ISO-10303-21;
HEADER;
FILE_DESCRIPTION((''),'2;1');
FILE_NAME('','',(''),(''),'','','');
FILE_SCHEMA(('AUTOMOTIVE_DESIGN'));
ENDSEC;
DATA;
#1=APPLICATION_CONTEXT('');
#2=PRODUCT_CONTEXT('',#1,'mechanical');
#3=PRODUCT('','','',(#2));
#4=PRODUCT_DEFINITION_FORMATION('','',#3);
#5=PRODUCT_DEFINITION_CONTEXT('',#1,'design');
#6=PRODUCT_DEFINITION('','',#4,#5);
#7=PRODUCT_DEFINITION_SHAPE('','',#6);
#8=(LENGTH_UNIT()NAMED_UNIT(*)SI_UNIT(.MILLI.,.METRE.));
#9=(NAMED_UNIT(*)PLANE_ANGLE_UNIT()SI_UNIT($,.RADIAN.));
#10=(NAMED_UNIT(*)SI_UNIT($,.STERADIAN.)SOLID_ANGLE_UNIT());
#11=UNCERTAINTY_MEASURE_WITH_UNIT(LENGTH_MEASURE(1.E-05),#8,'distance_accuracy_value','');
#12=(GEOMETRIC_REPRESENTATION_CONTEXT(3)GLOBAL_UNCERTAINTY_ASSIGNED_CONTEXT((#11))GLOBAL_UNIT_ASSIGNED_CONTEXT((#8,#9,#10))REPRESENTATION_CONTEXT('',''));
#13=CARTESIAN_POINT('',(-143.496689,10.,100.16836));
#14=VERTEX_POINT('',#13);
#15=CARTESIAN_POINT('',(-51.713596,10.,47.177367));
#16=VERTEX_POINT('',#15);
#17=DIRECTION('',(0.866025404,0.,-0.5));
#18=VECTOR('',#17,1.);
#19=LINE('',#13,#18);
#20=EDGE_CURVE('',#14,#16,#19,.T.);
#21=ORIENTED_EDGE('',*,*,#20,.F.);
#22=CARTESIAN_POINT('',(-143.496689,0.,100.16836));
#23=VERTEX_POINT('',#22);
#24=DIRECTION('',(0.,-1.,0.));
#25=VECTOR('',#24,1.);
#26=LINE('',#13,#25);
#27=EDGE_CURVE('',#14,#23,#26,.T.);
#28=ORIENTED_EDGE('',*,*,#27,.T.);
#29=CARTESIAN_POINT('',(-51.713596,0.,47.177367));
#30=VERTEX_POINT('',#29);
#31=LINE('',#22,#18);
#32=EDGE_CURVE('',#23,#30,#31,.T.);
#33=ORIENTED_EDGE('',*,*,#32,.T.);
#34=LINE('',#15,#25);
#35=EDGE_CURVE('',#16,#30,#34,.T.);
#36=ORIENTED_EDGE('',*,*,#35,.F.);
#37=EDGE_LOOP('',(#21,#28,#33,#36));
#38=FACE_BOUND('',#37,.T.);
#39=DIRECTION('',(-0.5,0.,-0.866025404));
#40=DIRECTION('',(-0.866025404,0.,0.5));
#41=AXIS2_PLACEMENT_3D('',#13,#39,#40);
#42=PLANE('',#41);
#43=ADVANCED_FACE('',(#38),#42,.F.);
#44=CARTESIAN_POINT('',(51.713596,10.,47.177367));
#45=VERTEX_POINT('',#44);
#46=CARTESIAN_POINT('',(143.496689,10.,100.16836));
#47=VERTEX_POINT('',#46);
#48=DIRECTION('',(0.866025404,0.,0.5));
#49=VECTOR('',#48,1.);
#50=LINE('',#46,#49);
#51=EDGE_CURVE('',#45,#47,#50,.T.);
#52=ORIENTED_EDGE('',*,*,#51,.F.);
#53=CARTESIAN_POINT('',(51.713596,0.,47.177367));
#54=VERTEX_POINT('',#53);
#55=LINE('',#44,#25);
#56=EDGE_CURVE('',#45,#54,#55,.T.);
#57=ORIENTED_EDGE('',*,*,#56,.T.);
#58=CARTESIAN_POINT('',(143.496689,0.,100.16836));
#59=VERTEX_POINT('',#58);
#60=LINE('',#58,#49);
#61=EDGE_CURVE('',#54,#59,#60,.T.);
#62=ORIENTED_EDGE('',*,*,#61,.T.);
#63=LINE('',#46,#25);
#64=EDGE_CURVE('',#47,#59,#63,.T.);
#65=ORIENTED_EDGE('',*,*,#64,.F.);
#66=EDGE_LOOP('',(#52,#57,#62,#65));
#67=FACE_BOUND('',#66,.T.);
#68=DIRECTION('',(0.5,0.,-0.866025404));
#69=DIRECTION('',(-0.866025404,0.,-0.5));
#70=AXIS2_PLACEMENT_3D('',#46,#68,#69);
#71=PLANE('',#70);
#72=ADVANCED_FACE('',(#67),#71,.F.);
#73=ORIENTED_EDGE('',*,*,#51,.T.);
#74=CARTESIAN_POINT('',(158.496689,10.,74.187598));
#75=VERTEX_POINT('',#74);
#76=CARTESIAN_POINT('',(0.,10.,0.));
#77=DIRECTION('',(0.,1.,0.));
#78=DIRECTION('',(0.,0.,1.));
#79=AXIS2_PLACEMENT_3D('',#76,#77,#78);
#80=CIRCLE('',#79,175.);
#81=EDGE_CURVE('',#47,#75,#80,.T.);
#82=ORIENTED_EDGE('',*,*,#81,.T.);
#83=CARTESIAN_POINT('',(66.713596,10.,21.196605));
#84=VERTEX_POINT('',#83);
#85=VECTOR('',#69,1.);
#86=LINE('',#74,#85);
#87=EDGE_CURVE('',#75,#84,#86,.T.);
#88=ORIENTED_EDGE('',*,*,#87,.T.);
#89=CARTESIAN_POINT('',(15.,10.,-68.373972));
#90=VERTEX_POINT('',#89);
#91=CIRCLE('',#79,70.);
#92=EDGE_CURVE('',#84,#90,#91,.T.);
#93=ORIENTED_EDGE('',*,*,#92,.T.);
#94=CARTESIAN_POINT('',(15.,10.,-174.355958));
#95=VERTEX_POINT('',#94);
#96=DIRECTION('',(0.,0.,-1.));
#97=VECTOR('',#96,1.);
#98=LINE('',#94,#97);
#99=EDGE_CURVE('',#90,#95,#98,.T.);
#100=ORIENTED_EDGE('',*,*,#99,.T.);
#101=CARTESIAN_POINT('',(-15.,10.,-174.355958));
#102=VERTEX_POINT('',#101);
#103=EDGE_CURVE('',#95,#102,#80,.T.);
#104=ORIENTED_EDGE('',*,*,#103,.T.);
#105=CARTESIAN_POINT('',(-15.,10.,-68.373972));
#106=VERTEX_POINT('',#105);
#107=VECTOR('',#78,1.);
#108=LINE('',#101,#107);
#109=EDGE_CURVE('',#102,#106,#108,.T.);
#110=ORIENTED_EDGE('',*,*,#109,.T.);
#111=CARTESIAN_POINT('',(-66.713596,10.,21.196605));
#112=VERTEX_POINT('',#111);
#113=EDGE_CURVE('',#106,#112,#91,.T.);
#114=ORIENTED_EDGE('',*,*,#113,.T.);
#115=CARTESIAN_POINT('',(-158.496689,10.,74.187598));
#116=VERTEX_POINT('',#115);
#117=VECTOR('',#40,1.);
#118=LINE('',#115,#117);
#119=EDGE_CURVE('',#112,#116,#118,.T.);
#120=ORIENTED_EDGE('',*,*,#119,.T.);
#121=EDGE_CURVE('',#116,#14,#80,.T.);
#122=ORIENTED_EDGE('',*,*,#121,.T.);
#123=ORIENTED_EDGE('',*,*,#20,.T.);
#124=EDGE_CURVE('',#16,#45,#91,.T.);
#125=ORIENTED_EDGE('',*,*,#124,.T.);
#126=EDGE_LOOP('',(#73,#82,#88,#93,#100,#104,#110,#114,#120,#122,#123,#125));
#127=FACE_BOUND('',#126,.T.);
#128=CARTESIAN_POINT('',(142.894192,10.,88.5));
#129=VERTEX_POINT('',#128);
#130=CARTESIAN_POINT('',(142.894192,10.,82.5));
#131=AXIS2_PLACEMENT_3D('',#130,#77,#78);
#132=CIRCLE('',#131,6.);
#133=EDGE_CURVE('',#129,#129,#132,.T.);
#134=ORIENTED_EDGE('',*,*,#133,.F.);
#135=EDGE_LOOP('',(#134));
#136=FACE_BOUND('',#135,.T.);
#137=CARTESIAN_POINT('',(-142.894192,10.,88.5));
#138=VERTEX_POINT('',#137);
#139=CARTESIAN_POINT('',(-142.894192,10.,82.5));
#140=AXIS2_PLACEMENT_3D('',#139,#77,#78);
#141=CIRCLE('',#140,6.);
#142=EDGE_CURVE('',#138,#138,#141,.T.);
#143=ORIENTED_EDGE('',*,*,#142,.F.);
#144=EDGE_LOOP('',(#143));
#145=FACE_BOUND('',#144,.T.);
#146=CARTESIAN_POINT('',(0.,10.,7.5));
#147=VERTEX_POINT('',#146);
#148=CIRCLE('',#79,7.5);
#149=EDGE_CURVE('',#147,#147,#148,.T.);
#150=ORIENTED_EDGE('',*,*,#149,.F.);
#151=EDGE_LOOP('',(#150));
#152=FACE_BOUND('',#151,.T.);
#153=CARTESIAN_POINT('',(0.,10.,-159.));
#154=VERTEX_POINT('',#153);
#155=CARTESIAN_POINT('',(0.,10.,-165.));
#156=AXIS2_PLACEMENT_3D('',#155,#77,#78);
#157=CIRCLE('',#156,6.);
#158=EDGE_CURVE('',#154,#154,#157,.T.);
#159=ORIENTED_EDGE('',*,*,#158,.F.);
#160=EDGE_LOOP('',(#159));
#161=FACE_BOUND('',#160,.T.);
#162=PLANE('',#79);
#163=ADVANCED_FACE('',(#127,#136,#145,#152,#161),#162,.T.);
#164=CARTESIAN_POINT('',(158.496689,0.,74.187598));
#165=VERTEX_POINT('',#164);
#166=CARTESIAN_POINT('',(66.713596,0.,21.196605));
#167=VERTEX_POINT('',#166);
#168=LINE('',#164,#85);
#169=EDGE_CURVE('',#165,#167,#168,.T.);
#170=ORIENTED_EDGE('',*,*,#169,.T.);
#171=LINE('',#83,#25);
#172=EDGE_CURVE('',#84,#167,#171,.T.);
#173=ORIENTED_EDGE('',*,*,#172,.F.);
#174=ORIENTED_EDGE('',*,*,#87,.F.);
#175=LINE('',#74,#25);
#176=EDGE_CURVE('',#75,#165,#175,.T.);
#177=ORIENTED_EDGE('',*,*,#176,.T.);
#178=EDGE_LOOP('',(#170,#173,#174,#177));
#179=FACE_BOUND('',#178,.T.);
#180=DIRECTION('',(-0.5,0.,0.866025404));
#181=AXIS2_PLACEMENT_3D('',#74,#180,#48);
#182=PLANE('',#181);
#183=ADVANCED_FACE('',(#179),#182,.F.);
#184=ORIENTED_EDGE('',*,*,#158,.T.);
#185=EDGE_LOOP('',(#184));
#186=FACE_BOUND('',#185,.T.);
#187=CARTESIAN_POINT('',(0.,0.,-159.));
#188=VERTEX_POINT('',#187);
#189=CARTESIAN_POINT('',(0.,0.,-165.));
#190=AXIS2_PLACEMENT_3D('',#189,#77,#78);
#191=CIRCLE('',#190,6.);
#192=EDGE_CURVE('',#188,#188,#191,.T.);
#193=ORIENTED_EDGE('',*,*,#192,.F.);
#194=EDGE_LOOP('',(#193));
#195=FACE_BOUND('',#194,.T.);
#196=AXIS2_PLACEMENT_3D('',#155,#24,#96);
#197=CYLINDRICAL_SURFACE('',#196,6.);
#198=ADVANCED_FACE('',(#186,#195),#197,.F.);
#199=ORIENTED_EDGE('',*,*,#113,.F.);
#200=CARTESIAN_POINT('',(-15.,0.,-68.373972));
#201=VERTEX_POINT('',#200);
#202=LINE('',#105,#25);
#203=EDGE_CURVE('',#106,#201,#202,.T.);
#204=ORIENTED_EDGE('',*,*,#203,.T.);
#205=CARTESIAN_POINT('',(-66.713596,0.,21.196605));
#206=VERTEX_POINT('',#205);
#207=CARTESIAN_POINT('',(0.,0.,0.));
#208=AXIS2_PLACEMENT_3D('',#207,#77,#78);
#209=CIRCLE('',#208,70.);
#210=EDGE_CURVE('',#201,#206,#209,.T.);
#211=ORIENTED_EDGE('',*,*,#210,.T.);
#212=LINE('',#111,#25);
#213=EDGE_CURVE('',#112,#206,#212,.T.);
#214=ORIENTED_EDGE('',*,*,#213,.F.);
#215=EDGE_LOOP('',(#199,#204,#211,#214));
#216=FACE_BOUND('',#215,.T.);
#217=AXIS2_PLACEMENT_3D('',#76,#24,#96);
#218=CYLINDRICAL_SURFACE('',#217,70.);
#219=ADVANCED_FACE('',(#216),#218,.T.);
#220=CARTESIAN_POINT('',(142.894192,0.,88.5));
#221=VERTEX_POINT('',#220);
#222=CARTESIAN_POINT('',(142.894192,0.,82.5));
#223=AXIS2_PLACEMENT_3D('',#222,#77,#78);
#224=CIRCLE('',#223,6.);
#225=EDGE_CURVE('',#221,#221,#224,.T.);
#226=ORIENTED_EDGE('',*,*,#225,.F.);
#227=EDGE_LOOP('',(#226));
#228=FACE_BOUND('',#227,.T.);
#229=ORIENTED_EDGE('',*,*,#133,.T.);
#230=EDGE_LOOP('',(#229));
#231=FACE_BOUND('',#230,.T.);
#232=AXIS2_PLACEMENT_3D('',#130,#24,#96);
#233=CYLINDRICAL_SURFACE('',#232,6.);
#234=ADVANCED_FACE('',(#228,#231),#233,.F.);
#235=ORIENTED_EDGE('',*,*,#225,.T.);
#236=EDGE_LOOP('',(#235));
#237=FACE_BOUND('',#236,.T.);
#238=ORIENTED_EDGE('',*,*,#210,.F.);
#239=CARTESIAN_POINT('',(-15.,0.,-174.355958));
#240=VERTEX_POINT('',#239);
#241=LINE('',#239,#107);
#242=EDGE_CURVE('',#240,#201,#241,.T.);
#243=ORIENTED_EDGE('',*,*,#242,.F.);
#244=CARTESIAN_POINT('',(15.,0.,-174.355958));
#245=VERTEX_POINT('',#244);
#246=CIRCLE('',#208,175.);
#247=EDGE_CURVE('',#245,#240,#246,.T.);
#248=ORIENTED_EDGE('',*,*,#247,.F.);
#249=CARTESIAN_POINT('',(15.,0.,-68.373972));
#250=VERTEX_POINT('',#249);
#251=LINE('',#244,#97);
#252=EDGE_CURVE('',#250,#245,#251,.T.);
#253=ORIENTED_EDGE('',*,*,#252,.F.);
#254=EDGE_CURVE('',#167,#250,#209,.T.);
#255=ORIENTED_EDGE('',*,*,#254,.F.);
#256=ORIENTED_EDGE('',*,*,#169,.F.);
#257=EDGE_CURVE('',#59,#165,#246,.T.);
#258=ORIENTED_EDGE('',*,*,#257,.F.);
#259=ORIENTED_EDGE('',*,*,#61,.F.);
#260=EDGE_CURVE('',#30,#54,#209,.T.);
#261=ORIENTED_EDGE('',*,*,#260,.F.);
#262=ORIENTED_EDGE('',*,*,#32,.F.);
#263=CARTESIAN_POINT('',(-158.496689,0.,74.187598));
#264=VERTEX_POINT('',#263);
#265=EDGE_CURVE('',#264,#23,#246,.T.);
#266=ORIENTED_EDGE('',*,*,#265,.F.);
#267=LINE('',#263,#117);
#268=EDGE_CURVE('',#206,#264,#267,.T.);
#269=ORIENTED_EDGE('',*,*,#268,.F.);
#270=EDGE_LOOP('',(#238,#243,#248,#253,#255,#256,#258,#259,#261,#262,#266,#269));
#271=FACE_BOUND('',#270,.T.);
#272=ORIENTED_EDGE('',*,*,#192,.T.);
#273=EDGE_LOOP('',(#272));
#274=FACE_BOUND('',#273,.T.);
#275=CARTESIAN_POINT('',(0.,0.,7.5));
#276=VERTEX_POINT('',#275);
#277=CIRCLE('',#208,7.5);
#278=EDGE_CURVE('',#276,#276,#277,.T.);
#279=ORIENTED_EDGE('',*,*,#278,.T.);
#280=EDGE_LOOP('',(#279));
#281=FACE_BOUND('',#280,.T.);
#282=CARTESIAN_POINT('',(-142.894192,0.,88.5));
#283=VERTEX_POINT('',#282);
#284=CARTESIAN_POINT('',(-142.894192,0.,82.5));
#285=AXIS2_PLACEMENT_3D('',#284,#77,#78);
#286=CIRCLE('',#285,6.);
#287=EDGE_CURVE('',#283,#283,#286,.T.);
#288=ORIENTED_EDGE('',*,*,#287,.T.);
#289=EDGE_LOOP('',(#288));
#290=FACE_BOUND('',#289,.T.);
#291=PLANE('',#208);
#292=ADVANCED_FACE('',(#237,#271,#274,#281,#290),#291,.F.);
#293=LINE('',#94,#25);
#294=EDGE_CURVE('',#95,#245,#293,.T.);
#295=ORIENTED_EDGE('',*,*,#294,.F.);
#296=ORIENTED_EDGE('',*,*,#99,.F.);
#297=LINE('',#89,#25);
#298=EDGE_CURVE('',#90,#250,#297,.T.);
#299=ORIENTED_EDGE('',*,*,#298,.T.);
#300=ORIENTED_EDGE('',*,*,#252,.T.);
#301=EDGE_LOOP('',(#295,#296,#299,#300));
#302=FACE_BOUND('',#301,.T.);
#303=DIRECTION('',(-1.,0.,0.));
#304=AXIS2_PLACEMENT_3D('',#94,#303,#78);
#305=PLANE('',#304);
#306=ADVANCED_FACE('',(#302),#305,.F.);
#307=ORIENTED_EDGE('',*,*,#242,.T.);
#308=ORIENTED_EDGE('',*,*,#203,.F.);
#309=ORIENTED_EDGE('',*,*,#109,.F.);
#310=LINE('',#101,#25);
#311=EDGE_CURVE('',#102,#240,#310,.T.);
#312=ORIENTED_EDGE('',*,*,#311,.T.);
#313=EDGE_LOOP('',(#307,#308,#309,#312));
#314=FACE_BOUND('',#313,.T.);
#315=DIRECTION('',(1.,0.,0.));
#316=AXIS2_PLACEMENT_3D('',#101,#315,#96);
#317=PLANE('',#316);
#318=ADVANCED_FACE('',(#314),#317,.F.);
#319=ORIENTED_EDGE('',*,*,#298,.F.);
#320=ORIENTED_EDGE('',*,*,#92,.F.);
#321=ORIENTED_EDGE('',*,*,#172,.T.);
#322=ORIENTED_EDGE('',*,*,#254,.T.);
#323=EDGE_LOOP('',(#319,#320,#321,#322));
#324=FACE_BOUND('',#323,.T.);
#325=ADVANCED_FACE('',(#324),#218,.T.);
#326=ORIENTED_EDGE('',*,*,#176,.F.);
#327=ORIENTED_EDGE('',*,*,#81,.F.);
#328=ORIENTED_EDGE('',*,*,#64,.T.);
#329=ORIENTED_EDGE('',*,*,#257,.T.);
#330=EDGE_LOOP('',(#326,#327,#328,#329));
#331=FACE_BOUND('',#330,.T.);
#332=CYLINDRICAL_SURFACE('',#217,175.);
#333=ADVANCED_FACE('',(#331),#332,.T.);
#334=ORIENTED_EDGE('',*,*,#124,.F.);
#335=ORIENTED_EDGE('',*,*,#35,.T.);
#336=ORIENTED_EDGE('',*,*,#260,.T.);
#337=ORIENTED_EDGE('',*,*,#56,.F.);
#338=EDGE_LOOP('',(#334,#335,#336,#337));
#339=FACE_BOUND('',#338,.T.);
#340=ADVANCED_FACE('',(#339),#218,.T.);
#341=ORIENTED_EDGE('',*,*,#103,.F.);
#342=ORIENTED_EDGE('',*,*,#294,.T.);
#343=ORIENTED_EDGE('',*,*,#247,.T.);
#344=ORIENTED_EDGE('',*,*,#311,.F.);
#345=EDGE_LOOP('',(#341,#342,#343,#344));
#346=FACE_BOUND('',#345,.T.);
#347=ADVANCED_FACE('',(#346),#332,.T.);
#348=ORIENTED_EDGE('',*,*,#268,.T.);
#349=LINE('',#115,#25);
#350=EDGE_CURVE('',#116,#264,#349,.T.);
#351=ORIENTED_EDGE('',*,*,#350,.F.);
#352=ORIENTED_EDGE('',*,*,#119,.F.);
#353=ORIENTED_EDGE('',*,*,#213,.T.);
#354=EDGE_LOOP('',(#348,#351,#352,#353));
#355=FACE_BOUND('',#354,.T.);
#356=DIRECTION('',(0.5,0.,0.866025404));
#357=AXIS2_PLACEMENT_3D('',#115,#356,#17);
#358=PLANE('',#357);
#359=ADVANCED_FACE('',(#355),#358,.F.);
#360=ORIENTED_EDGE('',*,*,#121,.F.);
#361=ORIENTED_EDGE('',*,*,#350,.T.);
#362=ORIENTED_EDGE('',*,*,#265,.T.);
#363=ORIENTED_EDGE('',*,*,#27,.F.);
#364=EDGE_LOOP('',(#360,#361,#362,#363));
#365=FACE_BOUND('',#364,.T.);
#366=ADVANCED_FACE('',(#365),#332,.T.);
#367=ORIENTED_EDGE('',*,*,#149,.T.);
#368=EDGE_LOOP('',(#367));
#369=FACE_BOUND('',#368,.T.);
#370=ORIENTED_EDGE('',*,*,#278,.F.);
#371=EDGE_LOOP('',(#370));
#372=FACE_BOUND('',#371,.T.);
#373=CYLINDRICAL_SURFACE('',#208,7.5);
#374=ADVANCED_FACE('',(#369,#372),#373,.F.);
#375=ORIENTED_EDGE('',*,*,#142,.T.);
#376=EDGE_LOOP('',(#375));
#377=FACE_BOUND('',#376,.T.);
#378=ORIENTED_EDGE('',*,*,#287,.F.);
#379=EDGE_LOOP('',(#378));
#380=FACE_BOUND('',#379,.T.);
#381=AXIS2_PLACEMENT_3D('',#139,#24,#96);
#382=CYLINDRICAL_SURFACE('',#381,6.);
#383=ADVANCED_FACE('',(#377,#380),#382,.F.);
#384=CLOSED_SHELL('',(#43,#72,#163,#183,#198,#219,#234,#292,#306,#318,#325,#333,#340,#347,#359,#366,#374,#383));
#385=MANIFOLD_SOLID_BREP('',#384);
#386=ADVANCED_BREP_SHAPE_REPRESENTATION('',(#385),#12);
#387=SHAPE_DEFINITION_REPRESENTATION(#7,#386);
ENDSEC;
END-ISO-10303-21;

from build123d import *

# Parameters (mm, degrees)
SKETCH_1_R          = 6
EXTRUDE_1_DEPTH     = 10
SKETCH_2_R          = 7.5
CUT_EXTRUDE_1_DEPTH = 11


with BuildPart() as part:
    # 草图1 → 凸台-拉伸1 (new body)
    with BuildSketch(Plane(origin=(0, 0, 0), x_dir=(1, 0, 0), z_dir=(0, 1, 0))):
        with BuildLine():
            Line((-15, 174.355957742), (-15, 68.373971656))
            ThreePointArc((-15, 68.373971656), (-60.621778265, 35), (-66.713596412, -21.196604771))
            Line((-66.713596412, -21.196604771), (-158.496688705, -74.187597814))
            ThreePointArc((-158.496688705, -74.187597814), (-151.554445662, -87.5), (-143.496688705, -100.168359928))
            Line((-143.496688705, -100.168359928), (-51.713596412, -47.177366885))
            ThreePointArc((-51.713596412, -47.177366885), (0, -70), (51.713596412, -47.177366885))
            Line((51.713596412, -47.177366885), (143.496688705, -100.168359928))
            ThreePointArc((143.496688705, -100.168359928), (151.554445662, -87.5), (158.496688705, -74.187597814))
            Line((158.496688705, -74.187597814), (66.713596412, -21.196604771))
            ThreePointArc((66.713596412, -21.196604771), (60.621778265, 35), (15, 68.373971656))
            Line((15, 68.373971656), (15, 174.355957742))
            ThreePointArc((15, 174.355957742), (0, 175), (-15, 174.355957742))
        make_face()
        with Locations((0, 165)):
            Circle(SKETCH_1_R, mode=Mode.SUBTRACT)
        with Locations((142.894191624, -82.5)):
            Circle(SKETCH_1_R, mode=Mode.SUBTRACT)
        with Locations((-142.894191624, -82.5)):
            Circle(SKETCH_1_R, mode=Mode.SUBTRACT)
    extrude(amount=EXTRUDE_1_DEPTH)

    # 草图2 → 切除-拉伸1 (cut, through all)
    with BuildSketch(Plane(origin=(0, 10, 0), x_dir=(1, 0, 0), z_dir=(0, 1, 0))):
        Circle(SKETCH_2_R)
    extrude(amount=-CUT_EXTRUDE_1_DEPTH, mode=Mode.SUBTRACT)


solid = part.part
